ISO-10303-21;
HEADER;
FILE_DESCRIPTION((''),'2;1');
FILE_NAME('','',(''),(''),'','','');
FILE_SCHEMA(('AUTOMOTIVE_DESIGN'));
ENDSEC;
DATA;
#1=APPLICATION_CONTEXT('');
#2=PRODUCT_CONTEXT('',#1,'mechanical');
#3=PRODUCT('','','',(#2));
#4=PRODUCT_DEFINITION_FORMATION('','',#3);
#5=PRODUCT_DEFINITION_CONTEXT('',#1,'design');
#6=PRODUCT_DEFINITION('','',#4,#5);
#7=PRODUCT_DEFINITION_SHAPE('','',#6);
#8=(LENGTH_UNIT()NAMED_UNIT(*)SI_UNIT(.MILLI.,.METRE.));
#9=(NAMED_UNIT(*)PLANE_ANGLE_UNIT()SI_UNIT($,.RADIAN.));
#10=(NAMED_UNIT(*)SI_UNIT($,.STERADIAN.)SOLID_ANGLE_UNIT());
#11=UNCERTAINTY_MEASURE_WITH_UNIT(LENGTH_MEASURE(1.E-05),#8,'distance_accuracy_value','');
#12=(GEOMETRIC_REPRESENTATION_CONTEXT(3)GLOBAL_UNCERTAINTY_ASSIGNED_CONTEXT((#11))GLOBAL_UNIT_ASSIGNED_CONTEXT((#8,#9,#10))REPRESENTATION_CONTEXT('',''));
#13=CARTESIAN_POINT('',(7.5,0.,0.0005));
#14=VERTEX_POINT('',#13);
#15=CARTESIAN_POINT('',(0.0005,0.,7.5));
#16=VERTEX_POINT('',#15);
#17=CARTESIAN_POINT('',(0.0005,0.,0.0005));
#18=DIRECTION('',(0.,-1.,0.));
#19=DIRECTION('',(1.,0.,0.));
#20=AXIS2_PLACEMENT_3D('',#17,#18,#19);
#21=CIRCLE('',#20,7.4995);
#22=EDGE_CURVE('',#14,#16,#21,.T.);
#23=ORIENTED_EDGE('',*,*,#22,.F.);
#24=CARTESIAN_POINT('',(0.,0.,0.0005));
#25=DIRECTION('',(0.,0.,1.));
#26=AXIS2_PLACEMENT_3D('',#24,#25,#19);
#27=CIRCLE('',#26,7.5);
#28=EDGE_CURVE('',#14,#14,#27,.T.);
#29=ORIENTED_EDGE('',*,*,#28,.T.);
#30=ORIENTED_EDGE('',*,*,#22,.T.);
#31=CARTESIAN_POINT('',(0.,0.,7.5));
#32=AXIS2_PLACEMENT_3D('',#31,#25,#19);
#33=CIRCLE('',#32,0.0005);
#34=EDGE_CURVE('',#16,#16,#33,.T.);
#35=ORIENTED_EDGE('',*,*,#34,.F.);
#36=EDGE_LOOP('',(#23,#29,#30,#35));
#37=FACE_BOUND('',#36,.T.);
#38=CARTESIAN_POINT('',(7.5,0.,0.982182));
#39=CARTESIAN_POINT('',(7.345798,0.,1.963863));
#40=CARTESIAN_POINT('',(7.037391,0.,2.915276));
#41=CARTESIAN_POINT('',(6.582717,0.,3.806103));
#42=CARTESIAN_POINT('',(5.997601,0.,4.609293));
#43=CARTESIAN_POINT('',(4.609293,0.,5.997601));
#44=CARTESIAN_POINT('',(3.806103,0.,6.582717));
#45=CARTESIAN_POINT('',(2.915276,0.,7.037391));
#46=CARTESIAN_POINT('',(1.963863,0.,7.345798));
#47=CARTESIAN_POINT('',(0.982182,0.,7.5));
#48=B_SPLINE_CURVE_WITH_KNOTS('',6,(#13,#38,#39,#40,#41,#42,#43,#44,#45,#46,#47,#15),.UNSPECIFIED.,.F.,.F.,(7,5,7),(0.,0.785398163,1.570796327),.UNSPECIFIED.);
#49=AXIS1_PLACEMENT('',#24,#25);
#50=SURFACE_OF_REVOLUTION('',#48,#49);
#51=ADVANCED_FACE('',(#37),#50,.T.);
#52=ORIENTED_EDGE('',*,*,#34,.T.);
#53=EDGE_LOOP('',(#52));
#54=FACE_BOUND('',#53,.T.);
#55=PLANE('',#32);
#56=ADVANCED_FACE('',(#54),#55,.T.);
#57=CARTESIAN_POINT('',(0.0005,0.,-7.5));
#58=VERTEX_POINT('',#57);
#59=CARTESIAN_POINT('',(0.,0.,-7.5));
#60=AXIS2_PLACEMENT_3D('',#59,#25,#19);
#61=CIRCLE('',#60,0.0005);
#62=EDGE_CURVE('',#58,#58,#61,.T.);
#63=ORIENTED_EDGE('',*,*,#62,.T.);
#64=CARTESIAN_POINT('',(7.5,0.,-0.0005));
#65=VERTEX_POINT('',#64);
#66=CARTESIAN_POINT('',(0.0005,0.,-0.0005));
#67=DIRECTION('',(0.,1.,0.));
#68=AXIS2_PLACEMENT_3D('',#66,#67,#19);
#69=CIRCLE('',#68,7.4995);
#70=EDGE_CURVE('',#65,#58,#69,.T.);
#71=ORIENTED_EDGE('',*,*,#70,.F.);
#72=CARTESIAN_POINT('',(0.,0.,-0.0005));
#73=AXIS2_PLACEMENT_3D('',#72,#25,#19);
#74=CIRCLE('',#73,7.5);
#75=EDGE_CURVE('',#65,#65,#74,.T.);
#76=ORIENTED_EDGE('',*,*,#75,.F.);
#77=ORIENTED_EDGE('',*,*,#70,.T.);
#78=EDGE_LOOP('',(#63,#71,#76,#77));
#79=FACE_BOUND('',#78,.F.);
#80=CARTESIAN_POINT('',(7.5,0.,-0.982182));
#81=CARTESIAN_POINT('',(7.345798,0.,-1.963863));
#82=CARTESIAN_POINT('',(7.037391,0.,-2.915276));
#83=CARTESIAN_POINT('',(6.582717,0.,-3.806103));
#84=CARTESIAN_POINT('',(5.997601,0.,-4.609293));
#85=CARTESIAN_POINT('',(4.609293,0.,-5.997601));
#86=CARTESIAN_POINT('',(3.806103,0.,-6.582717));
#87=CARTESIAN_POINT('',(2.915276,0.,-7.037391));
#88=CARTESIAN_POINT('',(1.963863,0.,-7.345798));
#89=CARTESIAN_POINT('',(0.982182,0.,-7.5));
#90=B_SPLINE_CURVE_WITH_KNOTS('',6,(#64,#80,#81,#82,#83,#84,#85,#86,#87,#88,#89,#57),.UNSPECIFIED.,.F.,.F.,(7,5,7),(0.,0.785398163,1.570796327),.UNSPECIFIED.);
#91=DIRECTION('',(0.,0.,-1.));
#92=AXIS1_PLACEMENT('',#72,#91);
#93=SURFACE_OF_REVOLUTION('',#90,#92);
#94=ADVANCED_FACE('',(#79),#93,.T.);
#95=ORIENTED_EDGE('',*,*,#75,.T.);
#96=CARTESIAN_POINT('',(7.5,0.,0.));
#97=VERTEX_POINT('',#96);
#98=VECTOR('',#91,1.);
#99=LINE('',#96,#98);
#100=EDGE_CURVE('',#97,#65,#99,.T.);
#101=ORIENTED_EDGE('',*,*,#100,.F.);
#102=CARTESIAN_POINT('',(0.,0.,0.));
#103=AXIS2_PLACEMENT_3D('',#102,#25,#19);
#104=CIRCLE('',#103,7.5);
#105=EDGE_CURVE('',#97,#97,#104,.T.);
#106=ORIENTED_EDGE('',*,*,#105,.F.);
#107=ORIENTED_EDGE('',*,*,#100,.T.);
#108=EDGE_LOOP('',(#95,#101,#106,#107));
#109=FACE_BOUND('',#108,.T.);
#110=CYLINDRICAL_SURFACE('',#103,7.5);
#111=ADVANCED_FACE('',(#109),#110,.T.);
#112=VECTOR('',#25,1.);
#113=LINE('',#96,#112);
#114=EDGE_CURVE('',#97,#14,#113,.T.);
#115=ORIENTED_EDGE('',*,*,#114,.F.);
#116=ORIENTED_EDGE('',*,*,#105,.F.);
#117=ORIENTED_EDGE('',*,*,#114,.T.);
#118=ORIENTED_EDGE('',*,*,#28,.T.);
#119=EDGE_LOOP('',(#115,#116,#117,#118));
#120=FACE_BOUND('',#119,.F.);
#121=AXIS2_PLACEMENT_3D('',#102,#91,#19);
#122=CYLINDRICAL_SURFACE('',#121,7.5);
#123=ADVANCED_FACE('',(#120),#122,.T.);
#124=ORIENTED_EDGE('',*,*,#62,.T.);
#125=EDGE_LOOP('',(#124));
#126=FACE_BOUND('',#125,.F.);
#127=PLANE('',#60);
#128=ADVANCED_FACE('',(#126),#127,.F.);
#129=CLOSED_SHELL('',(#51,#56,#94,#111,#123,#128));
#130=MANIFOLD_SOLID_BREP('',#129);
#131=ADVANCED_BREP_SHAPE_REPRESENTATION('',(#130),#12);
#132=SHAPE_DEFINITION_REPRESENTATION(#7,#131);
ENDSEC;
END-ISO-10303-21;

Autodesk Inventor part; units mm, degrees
ref_plane "YZ Plane" through (0, 0, 0) normal (1, 0, 0) x (0, 1, 0)
ref_plane "XZ Plane" through (0, 0, 0) normal (0, 1, 0) x (-1, 0, 0)
ref_plane "XY Plane" through (0, 0, 0) normal (0, 0, 1) x (1, 0, 0)
sketch "Sketch1" plane through (0, 0, 0) normal (0, 0, 1) x (1, 0, 0)
  circle A0 centre (0, 0) radius 7.5
  dimension "d0" = 15
extrude "Extrusion1" add sketch "Sketch1" along normal mid plane 15
fillet "Fillet1" radius 7.5 2 edges at (-7.5, 0, 7.5) (-7.5, 0, -7.5)
equation "\"d1\" = d0"
properties part number "Steel Ball 15mm" material "Stainless Steel"
